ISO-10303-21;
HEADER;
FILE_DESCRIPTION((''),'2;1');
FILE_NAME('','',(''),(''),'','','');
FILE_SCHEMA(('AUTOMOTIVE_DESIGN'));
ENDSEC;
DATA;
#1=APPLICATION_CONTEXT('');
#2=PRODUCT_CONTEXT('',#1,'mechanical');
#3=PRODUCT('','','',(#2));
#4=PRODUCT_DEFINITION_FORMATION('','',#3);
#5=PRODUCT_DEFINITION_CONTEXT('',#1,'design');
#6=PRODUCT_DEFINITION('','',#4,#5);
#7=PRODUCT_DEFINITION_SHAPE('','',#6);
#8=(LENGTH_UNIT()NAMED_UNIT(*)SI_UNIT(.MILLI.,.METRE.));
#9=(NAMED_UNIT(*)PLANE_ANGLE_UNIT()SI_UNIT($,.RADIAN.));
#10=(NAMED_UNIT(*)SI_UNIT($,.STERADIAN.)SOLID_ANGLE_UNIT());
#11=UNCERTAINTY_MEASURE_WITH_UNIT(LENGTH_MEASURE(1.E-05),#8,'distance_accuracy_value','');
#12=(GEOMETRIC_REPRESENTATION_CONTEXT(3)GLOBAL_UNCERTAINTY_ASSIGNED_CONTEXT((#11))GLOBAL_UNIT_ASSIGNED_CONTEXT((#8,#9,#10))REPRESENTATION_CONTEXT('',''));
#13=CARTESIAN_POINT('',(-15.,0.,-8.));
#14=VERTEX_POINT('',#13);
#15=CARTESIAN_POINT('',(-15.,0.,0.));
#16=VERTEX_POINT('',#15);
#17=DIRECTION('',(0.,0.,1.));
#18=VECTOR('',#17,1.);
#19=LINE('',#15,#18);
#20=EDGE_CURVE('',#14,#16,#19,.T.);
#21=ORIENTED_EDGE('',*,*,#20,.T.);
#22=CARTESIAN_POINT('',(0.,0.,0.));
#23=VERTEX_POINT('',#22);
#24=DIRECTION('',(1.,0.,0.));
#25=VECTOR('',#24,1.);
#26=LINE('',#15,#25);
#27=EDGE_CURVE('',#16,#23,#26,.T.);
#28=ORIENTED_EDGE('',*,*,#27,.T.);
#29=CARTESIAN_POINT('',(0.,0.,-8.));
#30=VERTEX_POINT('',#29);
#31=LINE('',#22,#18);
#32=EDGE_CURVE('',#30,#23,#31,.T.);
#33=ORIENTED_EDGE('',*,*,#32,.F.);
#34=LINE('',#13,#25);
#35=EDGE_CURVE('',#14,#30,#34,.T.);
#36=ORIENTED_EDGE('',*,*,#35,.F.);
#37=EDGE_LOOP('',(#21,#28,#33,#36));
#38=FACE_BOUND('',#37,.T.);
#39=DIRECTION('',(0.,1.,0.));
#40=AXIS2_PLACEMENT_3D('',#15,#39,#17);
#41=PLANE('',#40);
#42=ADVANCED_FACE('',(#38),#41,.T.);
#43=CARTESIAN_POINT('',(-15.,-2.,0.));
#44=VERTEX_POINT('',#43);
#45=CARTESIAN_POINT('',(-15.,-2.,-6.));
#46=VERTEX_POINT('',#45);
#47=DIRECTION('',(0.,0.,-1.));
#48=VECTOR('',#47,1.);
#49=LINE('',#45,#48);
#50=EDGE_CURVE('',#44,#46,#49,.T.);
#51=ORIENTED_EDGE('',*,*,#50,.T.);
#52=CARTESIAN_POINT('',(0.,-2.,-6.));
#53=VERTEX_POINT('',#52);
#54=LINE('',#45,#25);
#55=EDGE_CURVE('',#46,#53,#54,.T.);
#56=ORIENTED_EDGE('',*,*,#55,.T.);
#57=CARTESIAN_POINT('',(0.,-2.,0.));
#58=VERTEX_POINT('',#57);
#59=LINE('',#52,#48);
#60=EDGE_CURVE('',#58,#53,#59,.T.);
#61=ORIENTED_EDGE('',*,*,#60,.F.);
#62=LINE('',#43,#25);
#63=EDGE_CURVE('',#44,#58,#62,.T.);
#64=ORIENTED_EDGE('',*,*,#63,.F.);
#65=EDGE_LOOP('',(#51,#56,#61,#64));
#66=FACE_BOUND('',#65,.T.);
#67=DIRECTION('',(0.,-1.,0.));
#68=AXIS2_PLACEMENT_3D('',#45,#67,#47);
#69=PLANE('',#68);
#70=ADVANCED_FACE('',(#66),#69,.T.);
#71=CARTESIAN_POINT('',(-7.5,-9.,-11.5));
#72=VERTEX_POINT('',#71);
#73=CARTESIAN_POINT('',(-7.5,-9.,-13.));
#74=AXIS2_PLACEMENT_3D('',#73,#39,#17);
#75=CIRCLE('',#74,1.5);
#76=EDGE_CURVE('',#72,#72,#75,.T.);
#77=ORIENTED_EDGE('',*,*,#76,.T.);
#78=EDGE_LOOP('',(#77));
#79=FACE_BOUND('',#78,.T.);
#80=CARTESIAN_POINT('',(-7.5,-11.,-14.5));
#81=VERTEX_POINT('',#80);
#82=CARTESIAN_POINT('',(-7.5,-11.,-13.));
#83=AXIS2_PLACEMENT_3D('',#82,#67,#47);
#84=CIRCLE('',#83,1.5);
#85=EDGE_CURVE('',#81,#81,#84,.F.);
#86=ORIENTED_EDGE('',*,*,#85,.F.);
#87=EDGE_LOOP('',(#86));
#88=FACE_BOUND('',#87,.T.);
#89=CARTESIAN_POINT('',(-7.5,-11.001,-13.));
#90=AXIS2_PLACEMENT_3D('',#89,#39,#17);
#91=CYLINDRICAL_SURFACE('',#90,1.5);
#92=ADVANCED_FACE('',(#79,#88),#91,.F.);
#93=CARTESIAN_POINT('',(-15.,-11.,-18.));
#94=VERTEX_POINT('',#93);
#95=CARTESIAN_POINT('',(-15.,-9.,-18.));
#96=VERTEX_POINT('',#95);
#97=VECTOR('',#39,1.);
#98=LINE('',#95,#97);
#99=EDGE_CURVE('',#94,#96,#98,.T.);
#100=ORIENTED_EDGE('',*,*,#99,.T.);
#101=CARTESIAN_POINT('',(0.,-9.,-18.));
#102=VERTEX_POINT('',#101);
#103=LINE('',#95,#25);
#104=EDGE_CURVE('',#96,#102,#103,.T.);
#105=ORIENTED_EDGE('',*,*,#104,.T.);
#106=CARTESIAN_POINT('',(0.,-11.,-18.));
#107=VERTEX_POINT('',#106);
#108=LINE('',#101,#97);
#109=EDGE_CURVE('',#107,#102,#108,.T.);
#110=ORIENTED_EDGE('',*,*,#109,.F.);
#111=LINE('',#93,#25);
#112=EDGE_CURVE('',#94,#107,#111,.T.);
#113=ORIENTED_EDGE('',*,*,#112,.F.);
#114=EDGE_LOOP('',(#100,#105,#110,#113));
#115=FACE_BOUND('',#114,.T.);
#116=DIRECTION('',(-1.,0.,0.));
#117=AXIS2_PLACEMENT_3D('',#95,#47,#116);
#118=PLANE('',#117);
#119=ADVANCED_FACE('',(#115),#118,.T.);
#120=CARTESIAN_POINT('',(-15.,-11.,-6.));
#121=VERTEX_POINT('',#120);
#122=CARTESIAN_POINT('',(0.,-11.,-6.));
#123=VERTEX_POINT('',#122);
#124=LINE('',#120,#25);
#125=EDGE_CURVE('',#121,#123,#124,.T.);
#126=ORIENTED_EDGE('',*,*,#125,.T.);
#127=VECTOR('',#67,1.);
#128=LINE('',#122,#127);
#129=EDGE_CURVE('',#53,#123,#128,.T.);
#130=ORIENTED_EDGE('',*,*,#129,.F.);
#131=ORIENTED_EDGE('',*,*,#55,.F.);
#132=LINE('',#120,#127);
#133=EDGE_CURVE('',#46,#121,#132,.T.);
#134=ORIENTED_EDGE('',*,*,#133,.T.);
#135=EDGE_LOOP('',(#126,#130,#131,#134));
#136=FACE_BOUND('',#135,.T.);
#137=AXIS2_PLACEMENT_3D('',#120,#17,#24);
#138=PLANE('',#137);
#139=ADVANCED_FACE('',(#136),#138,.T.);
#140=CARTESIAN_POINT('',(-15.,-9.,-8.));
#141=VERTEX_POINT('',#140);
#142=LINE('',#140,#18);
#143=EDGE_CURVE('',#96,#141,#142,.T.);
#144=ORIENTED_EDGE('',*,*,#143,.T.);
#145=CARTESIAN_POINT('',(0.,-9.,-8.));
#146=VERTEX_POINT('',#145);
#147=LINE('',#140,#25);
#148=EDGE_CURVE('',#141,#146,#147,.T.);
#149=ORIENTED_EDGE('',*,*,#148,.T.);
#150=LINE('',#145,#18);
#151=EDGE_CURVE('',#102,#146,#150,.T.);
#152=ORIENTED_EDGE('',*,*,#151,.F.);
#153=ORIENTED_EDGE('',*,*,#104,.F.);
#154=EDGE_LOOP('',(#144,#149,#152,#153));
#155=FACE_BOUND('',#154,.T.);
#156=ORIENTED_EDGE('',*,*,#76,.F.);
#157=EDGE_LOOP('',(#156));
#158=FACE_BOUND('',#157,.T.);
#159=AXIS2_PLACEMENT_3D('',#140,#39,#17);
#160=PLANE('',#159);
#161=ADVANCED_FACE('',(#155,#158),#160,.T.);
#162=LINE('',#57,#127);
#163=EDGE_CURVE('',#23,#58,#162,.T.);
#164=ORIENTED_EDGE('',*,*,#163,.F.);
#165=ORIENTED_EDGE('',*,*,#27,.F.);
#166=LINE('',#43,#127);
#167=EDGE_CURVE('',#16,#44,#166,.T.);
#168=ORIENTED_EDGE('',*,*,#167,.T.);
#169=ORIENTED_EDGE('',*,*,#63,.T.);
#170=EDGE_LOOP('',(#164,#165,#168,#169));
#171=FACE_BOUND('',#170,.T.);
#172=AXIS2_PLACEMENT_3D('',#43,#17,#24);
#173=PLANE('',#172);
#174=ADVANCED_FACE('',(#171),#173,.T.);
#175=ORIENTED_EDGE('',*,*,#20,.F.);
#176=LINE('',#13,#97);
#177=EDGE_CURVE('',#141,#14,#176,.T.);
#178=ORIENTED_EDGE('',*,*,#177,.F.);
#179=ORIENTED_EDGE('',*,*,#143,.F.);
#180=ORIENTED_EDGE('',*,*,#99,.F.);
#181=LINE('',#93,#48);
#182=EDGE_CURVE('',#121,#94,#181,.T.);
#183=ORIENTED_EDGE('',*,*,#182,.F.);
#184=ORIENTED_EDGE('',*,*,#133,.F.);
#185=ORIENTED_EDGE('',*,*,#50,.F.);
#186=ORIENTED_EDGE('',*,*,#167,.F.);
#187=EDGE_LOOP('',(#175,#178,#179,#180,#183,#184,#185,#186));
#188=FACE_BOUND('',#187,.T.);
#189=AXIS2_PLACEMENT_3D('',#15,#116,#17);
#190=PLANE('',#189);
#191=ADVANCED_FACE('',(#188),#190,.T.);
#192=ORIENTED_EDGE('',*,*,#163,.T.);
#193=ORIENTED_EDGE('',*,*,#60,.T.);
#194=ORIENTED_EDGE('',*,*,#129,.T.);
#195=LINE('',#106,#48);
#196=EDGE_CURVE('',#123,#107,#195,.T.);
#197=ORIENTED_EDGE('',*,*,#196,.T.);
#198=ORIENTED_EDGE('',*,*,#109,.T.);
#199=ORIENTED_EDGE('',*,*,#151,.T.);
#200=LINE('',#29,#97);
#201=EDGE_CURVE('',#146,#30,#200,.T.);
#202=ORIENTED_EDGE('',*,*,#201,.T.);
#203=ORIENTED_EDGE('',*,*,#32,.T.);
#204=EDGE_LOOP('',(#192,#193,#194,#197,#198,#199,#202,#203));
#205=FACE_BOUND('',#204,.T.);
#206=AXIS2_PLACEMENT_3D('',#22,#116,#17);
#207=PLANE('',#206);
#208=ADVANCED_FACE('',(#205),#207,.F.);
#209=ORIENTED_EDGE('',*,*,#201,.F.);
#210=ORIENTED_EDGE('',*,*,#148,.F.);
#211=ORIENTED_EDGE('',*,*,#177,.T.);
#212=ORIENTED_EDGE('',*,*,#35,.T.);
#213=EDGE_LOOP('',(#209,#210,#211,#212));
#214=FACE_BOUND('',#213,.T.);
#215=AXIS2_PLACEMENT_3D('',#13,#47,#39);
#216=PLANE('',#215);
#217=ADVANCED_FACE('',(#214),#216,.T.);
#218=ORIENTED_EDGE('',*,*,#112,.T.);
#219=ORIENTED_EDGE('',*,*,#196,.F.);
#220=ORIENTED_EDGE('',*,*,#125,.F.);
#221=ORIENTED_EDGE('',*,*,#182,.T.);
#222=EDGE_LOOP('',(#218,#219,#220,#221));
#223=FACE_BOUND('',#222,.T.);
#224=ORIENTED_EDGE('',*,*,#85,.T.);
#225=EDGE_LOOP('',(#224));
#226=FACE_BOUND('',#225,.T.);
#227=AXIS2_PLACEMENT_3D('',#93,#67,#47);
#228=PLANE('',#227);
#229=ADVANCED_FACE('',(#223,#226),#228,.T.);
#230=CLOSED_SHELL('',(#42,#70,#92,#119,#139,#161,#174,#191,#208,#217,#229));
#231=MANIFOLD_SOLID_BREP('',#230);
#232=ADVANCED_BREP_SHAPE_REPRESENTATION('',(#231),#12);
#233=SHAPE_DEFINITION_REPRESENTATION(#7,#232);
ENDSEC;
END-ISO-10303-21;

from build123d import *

# Parameters (mm, degrees)
BOSS_EXTRUDE1_DEPTH = 15
CUT_EXTRUDE1_REACH  = 4
SKETCH3_R           = 1.5


with BuildPart() as part:
    # Sketch1 → Boss-Extrude1 (new body)
    with BuildSketch(Plane(origin=(0, 0, 0), x_dir=(0, 0, -1), z_dir=(1, 0, 0))):
        Polygon((0, 0), (8, 0), (8, -9), (18, -9), (18, -11), (6, -11), (6, -2), (0, -2), align=None)
    extrude(amount=-BOSS_EXTRUDE1_DEPTH)

    # Sketch3 → Cut-Extrude1 (cut, up to next)
    with BuildSketch(Plane(origin=(0, -9, 0), x_dir=(1, 0, 0), z_dir=(0, 1, 0)), mode=Mode.PRIVATE) as cut_extrude1_sk1:
        with Locations((-7.5, 13)):
            Circle(SKETCH3_R)
    cut_extrude1_tool1 = extrude(cut_extrude1_sk1.sketch, amount=-CUT_EXTRUDE1_REACH, mode=Mode.PRIVATE) & part.part
    add(cut_extrude1_tool1.solids().sort_by_distance((-7.5, -9, -13))[0], mode=Mode.SUBTRACT)


solid = part.part
